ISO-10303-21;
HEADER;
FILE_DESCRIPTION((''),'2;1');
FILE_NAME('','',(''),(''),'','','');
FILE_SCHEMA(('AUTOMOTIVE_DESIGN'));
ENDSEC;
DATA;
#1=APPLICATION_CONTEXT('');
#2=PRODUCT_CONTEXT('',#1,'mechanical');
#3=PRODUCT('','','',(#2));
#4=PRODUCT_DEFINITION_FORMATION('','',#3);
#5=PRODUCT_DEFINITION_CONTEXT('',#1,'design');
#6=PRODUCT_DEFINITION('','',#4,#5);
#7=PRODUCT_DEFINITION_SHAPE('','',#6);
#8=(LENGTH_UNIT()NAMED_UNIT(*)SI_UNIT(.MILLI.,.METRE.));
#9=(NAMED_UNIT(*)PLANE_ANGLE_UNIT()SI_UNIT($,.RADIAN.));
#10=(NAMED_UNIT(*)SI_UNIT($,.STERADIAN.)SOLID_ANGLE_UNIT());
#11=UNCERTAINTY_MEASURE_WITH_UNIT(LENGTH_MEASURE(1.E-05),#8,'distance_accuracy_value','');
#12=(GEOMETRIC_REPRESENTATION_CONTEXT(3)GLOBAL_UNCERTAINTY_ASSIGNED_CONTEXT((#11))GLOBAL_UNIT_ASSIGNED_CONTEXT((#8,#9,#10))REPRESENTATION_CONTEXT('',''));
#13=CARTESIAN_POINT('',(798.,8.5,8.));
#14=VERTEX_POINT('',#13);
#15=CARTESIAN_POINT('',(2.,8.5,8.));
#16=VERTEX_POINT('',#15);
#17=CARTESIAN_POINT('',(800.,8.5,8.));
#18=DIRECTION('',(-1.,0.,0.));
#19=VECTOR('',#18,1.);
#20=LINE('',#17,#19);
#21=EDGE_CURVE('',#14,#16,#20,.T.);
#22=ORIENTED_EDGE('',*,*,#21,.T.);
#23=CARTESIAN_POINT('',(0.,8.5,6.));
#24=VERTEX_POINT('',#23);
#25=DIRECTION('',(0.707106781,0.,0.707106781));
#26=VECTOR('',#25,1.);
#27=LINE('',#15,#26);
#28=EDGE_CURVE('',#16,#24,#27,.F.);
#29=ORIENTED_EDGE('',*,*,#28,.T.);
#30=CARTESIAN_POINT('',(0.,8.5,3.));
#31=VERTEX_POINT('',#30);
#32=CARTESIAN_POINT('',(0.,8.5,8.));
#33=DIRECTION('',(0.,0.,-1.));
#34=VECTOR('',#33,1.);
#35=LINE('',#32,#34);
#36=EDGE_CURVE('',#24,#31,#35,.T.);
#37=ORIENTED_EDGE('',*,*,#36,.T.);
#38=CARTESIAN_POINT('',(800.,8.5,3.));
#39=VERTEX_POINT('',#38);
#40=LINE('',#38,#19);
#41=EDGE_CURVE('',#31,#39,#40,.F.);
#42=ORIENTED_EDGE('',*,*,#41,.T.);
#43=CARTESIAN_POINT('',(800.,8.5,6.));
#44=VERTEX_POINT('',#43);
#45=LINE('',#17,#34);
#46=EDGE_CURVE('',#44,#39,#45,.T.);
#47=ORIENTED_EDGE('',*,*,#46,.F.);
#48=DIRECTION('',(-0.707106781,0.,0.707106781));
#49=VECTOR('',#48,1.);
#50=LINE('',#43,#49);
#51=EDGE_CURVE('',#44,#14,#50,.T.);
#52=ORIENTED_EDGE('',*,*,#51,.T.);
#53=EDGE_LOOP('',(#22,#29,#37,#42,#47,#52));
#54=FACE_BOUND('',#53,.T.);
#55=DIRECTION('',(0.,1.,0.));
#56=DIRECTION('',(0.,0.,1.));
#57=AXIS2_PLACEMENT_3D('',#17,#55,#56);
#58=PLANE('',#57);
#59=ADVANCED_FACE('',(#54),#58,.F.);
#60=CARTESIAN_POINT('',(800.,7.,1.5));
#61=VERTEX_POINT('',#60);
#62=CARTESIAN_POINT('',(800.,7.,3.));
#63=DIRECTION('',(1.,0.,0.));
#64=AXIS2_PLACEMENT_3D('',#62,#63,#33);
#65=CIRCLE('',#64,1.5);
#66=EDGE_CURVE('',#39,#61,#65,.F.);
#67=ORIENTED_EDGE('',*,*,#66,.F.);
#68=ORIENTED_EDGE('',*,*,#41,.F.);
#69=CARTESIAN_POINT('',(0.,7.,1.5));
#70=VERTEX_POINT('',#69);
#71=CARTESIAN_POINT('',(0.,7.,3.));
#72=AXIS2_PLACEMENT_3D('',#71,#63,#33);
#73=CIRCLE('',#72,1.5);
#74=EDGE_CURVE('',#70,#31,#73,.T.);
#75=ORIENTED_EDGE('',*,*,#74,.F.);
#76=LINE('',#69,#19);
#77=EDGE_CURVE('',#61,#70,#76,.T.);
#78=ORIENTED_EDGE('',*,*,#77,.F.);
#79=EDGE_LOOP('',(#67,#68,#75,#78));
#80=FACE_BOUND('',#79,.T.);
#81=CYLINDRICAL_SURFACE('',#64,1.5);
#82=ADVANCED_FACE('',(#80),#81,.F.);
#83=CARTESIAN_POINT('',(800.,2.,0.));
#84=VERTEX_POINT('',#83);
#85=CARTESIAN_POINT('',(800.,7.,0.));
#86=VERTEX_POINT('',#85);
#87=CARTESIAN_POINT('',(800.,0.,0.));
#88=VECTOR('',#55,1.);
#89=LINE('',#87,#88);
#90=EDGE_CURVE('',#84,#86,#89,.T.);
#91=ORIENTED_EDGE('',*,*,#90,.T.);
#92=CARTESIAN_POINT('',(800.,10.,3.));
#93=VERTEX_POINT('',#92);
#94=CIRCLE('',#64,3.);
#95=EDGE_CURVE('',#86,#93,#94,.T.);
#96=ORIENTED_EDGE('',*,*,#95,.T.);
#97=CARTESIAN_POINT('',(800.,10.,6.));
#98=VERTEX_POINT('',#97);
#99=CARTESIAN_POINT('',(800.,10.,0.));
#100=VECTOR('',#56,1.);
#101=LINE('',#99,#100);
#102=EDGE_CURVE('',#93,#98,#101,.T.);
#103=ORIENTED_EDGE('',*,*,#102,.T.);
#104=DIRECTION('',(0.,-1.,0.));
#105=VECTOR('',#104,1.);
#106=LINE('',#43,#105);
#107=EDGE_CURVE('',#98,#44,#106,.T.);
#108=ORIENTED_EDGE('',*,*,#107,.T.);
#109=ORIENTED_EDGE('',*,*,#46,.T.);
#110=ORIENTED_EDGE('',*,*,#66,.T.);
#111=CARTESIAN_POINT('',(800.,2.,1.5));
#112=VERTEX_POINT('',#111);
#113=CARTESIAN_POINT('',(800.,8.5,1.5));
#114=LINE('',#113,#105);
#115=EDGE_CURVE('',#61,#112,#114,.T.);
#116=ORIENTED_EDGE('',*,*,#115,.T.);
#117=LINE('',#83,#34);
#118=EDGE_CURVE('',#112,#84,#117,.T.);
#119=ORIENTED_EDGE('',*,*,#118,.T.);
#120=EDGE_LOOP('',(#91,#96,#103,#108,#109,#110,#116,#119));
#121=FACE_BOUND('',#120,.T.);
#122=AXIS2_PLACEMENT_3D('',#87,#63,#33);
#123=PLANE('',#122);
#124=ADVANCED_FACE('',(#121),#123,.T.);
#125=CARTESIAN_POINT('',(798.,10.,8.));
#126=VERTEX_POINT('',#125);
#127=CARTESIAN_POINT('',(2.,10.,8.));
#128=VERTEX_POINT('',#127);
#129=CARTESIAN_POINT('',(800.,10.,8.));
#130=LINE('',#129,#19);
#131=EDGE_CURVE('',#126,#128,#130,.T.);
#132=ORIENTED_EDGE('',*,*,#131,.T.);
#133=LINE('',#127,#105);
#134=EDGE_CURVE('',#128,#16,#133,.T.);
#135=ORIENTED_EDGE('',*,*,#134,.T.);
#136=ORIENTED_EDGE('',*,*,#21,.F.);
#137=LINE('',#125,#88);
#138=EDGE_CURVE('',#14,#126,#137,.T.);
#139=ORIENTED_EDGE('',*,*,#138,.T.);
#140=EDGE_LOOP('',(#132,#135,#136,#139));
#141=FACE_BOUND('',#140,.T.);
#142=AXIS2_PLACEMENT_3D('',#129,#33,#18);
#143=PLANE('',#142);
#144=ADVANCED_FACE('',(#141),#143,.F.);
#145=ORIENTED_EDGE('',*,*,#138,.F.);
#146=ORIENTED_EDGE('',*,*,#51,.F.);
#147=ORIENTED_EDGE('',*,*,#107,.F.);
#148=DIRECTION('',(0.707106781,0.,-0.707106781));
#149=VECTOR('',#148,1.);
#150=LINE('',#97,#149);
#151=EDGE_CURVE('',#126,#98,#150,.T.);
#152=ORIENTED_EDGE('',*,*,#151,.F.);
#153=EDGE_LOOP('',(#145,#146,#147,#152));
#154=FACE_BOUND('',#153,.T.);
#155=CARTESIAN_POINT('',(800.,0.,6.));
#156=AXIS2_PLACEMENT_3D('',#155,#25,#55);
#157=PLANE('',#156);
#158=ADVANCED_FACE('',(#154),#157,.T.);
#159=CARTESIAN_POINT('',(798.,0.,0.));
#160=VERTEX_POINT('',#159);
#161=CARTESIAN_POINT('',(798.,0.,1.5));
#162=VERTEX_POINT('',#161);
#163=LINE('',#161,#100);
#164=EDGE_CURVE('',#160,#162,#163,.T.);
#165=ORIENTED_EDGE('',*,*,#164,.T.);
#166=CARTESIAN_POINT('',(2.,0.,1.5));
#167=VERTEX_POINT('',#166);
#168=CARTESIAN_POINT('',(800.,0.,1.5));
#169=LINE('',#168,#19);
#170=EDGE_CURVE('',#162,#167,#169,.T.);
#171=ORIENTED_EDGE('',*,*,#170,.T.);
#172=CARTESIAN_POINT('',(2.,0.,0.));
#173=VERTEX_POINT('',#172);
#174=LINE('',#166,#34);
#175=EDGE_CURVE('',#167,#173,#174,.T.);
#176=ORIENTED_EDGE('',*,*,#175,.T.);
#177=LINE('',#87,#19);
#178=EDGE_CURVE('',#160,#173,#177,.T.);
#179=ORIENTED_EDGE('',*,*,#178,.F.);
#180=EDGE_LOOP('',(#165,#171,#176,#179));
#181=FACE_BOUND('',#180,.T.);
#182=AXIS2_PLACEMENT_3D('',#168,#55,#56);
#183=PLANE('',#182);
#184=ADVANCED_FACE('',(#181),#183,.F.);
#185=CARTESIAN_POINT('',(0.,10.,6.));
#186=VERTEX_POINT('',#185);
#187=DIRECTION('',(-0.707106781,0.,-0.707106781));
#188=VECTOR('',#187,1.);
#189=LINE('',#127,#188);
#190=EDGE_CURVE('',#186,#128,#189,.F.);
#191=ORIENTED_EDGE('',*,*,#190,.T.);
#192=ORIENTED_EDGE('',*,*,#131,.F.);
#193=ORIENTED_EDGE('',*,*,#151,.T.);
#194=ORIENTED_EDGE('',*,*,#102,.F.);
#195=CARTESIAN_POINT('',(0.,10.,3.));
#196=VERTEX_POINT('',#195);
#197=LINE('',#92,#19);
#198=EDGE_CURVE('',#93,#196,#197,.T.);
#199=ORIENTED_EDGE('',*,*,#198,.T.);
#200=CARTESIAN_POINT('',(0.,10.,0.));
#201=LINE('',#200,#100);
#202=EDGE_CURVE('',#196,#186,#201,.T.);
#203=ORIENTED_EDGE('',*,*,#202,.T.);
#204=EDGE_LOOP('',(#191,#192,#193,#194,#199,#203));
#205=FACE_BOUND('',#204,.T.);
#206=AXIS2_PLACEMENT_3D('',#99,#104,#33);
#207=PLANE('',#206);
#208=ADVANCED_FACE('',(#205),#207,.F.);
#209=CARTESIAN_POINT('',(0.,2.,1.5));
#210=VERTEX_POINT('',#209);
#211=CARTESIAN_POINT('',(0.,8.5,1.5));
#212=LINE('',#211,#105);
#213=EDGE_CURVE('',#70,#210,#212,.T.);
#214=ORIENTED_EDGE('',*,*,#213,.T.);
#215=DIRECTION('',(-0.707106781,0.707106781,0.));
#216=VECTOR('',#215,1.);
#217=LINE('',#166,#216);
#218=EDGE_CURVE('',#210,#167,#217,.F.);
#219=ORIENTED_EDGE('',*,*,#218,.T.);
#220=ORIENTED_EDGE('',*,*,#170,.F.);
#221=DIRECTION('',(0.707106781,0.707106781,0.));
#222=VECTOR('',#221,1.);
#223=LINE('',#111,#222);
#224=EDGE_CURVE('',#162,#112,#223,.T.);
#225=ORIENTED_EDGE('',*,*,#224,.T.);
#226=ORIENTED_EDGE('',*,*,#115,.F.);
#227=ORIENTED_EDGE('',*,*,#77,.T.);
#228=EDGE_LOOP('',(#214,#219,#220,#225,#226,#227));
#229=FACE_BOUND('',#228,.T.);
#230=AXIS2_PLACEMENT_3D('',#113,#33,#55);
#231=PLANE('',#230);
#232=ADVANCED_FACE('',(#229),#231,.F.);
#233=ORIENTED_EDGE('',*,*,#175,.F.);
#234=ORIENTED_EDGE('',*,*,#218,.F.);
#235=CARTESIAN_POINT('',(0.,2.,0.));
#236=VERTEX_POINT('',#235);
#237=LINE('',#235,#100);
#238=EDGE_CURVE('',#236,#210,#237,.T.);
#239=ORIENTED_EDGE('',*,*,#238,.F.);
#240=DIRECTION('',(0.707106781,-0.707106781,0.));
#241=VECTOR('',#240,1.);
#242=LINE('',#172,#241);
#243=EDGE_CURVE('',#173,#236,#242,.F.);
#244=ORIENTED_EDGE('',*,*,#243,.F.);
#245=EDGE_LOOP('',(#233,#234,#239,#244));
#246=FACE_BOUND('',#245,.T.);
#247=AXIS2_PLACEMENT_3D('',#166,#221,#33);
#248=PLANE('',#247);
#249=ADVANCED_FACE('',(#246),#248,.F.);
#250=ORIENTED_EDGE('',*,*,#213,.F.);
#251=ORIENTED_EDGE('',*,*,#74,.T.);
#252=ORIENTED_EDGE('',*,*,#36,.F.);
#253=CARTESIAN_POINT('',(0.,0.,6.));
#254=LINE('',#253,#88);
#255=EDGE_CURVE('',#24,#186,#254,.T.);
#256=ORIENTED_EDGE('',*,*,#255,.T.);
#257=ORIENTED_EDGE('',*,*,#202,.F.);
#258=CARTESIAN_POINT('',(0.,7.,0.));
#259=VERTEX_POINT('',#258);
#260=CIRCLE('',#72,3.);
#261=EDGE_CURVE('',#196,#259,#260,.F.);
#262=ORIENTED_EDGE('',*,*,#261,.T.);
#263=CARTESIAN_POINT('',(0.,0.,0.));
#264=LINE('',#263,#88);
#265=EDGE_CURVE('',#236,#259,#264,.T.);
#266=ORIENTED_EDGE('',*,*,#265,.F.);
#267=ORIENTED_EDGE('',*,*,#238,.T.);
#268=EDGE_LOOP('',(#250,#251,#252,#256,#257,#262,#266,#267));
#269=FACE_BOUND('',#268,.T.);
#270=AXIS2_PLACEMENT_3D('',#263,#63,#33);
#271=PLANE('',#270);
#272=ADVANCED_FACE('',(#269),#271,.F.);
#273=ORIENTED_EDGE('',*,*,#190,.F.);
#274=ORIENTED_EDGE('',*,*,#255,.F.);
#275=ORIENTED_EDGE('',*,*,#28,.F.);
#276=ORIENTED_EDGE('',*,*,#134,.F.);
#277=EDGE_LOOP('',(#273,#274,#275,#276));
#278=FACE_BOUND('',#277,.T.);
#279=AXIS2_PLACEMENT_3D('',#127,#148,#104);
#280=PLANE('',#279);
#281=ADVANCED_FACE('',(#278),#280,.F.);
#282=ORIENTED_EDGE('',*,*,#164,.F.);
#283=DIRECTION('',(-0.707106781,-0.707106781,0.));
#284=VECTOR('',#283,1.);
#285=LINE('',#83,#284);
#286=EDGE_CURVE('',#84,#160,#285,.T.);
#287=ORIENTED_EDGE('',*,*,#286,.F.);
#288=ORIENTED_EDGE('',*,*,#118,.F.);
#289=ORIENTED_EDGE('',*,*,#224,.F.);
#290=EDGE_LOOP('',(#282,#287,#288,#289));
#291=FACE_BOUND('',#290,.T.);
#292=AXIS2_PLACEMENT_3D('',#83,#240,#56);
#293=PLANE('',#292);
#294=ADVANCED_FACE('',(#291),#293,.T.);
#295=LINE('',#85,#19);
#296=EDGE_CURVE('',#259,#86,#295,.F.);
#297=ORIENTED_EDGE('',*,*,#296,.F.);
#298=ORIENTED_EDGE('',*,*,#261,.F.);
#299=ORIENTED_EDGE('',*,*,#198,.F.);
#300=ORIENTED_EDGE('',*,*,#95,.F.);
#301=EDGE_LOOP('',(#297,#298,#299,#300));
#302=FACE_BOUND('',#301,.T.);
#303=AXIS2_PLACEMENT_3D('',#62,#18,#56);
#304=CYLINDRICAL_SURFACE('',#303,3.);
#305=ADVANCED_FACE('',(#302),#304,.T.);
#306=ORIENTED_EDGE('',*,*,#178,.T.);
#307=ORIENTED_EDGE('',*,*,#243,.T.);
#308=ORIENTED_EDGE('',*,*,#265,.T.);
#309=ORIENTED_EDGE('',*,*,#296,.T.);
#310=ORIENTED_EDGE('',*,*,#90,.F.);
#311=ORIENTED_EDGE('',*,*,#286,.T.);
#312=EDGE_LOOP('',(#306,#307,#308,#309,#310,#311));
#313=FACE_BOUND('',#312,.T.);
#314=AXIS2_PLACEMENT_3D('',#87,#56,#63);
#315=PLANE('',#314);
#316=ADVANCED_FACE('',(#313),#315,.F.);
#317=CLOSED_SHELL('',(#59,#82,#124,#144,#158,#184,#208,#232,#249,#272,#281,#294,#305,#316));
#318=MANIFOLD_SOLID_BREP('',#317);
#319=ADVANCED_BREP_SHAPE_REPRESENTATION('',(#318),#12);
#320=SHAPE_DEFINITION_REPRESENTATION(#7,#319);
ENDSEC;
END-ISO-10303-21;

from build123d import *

# Parameters (mm, degrees)
BOSS_EXTRUDE1_DEPTH = 800
FILLET1_R           = 3
FILLET2_R           = 1.5
CHAMFER1_SIZE       = 2


with BuildPart() as part:
    # Sketch1 → Boss-Extrude1 (new body)
    with BuildSketch(Plane(origin=(0, 0, 0), x_dir=(0, 0, -1), z_dir=(1, 0, 0))):
        Polygon((0, 0), (0, 10), (-8, 10), (-8, 8.5), (-1.5, 8.5), (-1.5, 0), align=None)
    extrude(amount=BOSS_EXTRUDE1_DEPTH)

    # Fillet1
    fillet1_edges = [part.edges().sort_by_distance(p)[0] for p in [
        (400, 10, 0),
    ]]
    fillet(fillet1_edges, radius=FILLET1_R)

    # Fillet2
    fillet2_edges = [part.edges().sort_by_distance(p)[0] for p in [
        (400, 8.5, 1.5),
    ]]
    fillet(fillet2_edges, radius=FILLET2_R)

    # Chamfer1
    chamfer1_edges = [part.edges().sort_by_distance(p)[0] for p in [
        (800, 9.25, 8),
        (800, 0, 0.75),
        (0, 9.25, 8),
        (0, 0, 0.75),
    ]]
    chamfer(chamfer1_edges, length=CHAMFER1_SIZE)


solid = part.part
